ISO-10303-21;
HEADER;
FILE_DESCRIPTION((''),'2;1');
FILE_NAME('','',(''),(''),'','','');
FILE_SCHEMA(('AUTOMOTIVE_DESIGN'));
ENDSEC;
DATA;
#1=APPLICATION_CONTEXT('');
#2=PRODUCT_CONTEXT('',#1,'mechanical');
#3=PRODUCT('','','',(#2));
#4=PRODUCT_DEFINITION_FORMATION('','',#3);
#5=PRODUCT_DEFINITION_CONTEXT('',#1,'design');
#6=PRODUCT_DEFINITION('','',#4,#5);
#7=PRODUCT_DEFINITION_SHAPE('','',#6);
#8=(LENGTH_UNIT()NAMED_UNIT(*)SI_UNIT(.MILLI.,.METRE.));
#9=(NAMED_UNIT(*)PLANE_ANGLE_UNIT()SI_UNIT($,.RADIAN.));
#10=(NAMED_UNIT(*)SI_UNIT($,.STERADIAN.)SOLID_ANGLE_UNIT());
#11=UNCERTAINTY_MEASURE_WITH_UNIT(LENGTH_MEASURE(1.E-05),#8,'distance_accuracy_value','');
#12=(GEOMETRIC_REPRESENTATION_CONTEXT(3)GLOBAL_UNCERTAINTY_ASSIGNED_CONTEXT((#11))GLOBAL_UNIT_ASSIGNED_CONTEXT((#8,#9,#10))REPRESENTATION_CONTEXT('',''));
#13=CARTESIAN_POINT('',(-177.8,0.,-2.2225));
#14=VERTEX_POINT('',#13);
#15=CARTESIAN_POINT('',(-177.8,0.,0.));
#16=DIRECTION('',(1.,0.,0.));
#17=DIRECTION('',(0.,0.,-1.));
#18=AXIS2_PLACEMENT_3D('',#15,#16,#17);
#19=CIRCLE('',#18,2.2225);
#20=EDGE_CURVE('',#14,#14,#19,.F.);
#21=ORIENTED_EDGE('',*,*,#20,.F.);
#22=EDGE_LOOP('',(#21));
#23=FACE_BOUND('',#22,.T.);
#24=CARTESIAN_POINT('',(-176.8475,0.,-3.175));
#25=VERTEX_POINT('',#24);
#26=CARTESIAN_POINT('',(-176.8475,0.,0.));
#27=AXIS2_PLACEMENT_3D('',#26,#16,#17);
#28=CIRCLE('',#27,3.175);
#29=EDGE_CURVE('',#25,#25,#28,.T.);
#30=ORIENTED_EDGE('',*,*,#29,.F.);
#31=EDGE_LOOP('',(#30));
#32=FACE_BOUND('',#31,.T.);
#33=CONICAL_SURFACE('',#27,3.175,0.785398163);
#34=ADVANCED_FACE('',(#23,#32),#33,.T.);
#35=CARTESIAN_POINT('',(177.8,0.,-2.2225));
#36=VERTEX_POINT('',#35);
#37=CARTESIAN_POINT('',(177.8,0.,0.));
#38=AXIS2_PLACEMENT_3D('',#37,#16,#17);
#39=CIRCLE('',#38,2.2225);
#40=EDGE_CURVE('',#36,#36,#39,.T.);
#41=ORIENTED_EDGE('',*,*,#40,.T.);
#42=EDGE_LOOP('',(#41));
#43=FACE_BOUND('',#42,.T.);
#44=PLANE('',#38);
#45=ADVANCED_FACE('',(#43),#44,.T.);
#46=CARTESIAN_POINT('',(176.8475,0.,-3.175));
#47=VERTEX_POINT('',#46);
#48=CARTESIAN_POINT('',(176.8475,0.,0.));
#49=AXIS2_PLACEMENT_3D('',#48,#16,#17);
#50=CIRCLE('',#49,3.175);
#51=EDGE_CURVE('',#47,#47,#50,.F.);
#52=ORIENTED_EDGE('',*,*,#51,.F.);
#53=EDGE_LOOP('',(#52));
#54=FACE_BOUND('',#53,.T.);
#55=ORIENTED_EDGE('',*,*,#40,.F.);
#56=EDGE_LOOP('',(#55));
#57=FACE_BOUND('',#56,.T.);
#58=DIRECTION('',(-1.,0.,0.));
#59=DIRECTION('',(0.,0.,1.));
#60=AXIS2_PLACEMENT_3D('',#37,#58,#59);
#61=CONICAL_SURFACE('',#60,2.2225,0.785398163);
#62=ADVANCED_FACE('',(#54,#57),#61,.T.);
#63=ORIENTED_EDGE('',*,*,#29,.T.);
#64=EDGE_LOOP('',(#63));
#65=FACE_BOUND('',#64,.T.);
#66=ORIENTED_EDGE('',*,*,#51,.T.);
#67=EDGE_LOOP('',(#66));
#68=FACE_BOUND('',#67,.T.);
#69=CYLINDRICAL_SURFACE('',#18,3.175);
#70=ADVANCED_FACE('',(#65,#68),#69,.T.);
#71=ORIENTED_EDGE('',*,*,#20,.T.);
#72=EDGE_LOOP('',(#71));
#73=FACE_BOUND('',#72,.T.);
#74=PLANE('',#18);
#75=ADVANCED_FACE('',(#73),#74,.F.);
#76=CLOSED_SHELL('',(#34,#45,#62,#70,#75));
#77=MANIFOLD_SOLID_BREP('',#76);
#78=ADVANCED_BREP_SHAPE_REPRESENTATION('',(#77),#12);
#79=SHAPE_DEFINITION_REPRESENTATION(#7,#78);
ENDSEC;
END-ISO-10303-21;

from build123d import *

# Parameters (mm, degrees)
SKETCH2_R                = 3.175
BOSS_EXTRUDE1_DEPTH      = 177.8
BOSS_EXTRUDE1_DEPTH_BACK = 177.8
CHAMFER1_SIZE            = 0.9525


with BuildPart() as part:
    # Sketch2 → Boss-Extrude1 (new body, two sides)
    with BuildSketch(Plane(origin=(0, 0, 0), x_dir=(0, 0, -1), z_dir=(1, 0, 0))) as boss_extrude1_sk:
        Circle(SKETCH2_R)
    extrude(amount=BOSS_EXTRUDE1_DEPTH)
    extrude(boss_extrude1_sk.sketch, amount=-BOSS_EXTRUDE1_DEPTH_BACK)

    # Chamfer1
    chamfer1_edges = [part.edges().sort_by_distance(p)[0] for p in [
        (-177.8, 0, 3.175),
        (177.8, 0, 3.175),
    ]]
    chamfer(chamfer1_edges, length=CHAMFER1_SIZE)


solid = part.part
